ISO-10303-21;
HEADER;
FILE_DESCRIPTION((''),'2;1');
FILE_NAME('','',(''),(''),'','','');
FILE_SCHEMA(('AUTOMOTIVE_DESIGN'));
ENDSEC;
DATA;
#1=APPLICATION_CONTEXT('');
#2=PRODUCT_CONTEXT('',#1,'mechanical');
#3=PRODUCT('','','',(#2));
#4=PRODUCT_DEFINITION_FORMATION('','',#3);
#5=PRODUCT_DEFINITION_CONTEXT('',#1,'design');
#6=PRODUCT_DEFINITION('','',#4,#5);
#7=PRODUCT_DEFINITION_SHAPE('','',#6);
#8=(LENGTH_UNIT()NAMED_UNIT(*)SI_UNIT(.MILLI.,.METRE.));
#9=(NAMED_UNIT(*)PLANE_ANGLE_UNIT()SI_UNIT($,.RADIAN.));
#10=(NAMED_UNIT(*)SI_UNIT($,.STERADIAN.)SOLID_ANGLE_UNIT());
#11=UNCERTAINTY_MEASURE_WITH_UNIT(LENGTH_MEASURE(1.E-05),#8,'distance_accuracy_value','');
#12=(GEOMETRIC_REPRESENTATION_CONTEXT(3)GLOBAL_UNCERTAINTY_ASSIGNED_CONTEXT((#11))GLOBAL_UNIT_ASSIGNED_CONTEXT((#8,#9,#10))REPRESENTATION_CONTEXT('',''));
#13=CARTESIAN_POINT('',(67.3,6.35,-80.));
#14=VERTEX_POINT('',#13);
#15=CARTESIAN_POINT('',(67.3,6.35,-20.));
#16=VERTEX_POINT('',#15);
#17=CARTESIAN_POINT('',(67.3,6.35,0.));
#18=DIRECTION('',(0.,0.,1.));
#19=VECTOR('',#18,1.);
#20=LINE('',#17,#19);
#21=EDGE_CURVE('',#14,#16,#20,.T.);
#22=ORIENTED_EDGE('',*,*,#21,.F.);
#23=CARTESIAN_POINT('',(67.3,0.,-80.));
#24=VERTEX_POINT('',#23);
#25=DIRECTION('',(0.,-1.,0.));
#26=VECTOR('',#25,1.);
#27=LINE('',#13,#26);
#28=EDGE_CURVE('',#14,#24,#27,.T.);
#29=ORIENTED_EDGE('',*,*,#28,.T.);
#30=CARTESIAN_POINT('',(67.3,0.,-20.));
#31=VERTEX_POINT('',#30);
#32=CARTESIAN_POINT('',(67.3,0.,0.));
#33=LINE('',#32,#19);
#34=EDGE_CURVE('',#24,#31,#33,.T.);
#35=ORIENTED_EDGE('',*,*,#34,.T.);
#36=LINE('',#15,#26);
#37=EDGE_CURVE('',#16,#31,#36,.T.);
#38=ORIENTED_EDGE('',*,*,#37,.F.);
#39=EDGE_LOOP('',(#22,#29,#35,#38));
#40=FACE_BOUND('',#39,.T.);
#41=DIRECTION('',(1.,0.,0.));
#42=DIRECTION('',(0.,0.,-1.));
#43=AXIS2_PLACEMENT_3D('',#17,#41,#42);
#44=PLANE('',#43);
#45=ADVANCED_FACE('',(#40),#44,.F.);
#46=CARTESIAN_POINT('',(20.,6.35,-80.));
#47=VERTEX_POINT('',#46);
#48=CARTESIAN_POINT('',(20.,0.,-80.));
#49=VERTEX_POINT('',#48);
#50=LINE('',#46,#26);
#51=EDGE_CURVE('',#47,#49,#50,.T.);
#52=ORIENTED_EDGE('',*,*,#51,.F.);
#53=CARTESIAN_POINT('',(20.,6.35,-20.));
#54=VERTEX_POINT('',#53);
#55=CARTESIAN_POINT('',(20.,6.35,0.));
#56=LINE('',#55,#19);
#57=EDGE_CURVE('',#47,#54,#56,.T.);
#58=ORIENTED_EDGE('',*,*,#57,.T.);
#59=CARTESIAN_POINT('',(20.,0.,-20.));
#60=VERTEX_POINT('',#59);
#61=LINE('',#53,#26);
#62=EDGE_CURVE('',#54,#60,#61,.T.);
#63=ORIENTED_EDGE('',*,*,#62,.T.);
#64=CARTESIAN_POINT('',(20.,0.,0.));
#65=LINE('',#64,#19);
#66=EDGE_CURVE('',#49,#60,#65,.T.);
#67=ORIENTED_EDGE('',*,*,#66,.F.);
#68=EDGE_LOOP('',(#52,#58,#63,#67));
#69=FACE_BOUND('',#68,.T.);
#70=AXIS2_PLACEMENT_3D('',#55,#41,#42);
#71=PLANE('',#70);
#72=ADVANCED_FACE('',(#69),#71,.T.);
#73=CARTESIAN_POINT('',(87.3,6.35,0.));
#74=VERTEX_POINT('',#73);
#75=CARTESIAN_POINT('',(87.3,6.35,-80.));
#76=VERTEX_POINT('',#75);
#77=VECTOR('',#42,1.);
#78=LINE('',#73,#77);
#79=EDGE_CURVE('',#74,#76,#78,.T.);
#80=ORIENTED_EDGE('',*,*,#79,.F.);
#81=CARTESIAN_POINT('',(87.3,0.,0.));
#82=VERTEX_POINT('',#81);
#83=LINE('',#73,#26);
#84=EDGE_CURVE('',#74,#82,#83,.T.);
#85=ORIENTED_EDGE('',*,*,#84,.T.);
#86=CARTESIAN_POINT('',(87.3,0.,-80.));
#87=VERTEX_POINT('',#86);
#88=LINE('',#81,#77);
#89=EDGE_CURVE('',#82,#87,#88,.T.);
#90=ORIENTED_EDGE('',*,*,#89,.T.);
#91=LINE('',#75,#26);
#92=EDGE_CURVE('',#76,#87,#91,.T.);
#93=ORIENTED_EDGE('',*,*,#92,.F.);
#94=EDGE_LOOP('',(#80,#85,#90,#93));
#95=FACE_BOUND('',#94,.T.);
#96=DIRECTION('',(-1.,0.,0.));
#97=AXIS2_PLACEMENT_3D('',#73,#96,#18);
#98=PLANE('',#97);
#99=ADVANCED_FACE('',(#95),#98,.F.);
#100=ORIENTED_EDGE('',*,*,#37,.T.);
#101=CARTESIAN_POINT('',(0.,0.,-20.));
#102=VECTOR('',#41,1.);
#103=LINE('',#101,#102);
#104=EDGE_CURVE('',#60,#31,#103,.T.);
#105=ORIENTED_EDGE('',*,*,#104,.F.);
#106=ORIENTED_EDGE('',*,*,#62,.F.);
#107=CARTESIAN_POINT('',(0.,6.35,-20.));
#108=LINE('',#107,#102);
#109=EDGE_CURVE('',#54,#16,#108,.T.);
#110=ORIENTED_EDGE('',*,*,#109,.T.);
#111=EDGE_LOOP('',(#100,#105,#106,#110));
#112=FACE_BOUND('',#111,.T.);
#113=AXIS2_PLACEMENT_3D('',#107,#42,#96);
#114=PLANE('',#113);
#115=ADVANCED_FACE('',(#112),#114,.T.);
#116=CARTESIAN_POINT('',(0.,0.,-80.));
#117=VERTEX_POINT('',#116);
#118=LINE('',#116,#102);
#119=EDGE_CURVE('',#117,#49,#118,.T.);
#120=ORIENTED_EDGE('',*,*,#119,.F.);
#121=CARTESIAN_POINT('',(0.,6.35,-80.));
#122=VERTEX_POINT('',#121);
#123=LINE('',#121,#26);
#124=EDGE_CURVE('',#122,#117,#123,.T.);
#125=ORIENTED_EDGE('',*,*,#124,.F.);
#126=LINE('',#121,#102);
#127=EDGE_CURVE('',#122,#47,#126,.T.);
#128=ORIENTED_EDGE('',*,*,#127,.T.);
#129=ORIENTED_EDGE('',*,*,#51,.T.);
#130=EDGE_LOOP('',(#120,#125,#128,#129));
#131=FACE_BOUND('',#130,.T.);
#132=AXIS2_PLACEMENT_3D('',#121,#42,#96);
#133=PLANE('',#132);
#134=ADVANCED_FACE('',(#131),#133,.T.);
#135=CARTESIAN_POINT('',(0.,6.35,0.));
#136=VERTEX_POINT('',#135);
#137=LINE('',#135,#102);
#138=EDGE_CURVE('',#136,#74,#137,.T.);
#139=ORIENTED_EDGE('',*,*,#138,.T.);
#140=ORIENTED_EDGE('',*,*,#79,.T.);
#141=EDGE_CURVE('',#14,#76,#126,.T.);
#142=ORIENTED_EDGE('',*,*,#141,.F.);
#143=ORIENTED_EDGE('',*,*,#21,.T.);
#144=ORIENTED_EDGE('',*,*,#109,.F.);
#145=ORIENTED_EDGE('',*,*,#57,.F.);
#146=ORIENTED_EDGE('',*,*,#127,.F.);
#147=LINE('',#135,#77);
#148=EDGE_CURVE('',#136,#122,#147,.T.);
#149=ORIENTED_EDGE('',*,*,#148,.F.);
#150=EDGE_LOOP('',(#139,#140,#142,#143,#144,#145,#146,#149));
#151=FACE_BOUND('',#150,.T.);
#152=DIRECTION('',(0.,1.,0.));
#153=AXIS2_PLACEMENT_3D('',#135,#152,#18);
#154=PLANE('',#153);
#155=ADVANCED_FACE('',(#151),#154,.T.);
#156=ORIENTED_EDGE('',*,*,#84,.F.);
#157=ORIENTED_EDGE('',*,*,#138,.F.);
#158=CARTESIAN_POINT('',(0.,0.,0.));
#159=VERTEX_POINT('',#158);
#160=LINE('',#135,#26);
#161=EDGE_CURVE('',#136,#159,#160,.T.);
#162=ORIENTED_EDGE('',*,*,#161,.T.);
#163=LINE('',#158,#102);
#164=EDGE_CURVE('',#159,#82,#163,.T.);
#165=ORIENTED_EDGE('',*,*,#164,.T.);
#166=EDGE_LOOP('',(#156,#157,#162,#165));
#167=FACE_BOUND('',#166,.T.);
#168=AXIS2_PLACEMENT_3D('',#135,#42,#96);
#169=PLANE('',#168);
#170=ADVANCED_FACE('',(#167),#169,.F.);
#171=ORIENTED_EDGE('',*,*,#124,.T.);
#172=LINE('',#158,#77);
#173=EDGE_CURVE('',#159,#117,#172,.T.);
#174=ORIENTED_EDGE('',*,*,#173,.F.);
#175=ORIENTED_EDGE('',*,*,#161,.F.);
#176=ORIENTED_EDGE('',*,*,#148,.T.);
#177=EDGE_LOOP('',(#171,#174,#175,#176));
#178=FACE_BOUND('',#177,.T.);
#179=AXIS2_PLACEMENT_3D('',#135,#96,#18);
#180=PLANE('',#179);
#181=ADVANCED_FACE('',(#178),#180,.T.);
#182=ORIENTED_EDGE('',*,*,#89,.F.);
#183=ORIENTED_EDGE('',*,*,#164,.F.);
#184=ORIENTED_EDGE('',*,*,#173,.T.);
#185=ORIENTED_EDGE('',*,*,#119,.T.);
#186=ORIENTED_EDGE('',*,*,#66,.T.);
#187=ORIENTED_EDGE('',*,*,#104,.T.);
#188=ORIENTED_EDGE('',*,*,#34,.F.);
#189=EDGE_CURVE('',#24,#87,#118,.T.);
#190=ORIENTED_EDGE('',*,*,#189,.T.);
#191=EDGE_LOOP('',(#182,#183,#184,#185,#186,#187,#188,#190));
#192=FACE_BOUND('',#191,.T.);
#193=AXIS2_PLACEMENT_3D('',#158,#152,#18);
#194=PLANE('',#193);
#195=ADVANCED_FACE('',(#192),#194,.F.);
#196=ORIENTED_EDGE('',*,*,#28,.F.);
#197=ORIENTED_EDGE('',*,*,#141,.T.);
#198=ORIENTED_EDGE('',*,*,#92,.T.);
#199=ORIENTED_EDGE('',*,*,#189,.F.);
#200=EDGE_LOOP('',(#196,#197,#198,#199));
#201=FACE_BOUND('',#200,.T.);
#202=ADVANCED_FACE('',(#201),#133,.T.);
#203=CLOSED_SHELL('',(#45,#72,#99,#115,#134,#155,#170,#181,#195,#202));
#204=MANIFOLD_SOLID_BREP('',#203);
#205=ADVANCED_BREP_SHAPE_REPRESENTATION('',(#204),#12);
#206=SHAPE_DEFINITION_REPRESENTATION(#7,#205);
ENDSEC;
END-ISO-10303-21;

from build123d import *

# Parameters (mm, degrees)
BOSS_EXTRUDE1_DEPTH = 6.35


with BuildPart() as part:
    # Sketch1 → Boss-Extrude1 (new body)
    with BuildSketch(Plane(origin=(0, 0, 0), x_dir=(1, 0, 0), z_dir=(0, 1, 0))):
        Polygon((0, 80), (0, 0), (87.3, 0), (87.3, 80), (67.3, 80), (67.3, 20), (20, 20), (20, 80), align=None)
    extrude(amount=BOSS_EXTRUDE1_DEPTH)


solid = part.part
